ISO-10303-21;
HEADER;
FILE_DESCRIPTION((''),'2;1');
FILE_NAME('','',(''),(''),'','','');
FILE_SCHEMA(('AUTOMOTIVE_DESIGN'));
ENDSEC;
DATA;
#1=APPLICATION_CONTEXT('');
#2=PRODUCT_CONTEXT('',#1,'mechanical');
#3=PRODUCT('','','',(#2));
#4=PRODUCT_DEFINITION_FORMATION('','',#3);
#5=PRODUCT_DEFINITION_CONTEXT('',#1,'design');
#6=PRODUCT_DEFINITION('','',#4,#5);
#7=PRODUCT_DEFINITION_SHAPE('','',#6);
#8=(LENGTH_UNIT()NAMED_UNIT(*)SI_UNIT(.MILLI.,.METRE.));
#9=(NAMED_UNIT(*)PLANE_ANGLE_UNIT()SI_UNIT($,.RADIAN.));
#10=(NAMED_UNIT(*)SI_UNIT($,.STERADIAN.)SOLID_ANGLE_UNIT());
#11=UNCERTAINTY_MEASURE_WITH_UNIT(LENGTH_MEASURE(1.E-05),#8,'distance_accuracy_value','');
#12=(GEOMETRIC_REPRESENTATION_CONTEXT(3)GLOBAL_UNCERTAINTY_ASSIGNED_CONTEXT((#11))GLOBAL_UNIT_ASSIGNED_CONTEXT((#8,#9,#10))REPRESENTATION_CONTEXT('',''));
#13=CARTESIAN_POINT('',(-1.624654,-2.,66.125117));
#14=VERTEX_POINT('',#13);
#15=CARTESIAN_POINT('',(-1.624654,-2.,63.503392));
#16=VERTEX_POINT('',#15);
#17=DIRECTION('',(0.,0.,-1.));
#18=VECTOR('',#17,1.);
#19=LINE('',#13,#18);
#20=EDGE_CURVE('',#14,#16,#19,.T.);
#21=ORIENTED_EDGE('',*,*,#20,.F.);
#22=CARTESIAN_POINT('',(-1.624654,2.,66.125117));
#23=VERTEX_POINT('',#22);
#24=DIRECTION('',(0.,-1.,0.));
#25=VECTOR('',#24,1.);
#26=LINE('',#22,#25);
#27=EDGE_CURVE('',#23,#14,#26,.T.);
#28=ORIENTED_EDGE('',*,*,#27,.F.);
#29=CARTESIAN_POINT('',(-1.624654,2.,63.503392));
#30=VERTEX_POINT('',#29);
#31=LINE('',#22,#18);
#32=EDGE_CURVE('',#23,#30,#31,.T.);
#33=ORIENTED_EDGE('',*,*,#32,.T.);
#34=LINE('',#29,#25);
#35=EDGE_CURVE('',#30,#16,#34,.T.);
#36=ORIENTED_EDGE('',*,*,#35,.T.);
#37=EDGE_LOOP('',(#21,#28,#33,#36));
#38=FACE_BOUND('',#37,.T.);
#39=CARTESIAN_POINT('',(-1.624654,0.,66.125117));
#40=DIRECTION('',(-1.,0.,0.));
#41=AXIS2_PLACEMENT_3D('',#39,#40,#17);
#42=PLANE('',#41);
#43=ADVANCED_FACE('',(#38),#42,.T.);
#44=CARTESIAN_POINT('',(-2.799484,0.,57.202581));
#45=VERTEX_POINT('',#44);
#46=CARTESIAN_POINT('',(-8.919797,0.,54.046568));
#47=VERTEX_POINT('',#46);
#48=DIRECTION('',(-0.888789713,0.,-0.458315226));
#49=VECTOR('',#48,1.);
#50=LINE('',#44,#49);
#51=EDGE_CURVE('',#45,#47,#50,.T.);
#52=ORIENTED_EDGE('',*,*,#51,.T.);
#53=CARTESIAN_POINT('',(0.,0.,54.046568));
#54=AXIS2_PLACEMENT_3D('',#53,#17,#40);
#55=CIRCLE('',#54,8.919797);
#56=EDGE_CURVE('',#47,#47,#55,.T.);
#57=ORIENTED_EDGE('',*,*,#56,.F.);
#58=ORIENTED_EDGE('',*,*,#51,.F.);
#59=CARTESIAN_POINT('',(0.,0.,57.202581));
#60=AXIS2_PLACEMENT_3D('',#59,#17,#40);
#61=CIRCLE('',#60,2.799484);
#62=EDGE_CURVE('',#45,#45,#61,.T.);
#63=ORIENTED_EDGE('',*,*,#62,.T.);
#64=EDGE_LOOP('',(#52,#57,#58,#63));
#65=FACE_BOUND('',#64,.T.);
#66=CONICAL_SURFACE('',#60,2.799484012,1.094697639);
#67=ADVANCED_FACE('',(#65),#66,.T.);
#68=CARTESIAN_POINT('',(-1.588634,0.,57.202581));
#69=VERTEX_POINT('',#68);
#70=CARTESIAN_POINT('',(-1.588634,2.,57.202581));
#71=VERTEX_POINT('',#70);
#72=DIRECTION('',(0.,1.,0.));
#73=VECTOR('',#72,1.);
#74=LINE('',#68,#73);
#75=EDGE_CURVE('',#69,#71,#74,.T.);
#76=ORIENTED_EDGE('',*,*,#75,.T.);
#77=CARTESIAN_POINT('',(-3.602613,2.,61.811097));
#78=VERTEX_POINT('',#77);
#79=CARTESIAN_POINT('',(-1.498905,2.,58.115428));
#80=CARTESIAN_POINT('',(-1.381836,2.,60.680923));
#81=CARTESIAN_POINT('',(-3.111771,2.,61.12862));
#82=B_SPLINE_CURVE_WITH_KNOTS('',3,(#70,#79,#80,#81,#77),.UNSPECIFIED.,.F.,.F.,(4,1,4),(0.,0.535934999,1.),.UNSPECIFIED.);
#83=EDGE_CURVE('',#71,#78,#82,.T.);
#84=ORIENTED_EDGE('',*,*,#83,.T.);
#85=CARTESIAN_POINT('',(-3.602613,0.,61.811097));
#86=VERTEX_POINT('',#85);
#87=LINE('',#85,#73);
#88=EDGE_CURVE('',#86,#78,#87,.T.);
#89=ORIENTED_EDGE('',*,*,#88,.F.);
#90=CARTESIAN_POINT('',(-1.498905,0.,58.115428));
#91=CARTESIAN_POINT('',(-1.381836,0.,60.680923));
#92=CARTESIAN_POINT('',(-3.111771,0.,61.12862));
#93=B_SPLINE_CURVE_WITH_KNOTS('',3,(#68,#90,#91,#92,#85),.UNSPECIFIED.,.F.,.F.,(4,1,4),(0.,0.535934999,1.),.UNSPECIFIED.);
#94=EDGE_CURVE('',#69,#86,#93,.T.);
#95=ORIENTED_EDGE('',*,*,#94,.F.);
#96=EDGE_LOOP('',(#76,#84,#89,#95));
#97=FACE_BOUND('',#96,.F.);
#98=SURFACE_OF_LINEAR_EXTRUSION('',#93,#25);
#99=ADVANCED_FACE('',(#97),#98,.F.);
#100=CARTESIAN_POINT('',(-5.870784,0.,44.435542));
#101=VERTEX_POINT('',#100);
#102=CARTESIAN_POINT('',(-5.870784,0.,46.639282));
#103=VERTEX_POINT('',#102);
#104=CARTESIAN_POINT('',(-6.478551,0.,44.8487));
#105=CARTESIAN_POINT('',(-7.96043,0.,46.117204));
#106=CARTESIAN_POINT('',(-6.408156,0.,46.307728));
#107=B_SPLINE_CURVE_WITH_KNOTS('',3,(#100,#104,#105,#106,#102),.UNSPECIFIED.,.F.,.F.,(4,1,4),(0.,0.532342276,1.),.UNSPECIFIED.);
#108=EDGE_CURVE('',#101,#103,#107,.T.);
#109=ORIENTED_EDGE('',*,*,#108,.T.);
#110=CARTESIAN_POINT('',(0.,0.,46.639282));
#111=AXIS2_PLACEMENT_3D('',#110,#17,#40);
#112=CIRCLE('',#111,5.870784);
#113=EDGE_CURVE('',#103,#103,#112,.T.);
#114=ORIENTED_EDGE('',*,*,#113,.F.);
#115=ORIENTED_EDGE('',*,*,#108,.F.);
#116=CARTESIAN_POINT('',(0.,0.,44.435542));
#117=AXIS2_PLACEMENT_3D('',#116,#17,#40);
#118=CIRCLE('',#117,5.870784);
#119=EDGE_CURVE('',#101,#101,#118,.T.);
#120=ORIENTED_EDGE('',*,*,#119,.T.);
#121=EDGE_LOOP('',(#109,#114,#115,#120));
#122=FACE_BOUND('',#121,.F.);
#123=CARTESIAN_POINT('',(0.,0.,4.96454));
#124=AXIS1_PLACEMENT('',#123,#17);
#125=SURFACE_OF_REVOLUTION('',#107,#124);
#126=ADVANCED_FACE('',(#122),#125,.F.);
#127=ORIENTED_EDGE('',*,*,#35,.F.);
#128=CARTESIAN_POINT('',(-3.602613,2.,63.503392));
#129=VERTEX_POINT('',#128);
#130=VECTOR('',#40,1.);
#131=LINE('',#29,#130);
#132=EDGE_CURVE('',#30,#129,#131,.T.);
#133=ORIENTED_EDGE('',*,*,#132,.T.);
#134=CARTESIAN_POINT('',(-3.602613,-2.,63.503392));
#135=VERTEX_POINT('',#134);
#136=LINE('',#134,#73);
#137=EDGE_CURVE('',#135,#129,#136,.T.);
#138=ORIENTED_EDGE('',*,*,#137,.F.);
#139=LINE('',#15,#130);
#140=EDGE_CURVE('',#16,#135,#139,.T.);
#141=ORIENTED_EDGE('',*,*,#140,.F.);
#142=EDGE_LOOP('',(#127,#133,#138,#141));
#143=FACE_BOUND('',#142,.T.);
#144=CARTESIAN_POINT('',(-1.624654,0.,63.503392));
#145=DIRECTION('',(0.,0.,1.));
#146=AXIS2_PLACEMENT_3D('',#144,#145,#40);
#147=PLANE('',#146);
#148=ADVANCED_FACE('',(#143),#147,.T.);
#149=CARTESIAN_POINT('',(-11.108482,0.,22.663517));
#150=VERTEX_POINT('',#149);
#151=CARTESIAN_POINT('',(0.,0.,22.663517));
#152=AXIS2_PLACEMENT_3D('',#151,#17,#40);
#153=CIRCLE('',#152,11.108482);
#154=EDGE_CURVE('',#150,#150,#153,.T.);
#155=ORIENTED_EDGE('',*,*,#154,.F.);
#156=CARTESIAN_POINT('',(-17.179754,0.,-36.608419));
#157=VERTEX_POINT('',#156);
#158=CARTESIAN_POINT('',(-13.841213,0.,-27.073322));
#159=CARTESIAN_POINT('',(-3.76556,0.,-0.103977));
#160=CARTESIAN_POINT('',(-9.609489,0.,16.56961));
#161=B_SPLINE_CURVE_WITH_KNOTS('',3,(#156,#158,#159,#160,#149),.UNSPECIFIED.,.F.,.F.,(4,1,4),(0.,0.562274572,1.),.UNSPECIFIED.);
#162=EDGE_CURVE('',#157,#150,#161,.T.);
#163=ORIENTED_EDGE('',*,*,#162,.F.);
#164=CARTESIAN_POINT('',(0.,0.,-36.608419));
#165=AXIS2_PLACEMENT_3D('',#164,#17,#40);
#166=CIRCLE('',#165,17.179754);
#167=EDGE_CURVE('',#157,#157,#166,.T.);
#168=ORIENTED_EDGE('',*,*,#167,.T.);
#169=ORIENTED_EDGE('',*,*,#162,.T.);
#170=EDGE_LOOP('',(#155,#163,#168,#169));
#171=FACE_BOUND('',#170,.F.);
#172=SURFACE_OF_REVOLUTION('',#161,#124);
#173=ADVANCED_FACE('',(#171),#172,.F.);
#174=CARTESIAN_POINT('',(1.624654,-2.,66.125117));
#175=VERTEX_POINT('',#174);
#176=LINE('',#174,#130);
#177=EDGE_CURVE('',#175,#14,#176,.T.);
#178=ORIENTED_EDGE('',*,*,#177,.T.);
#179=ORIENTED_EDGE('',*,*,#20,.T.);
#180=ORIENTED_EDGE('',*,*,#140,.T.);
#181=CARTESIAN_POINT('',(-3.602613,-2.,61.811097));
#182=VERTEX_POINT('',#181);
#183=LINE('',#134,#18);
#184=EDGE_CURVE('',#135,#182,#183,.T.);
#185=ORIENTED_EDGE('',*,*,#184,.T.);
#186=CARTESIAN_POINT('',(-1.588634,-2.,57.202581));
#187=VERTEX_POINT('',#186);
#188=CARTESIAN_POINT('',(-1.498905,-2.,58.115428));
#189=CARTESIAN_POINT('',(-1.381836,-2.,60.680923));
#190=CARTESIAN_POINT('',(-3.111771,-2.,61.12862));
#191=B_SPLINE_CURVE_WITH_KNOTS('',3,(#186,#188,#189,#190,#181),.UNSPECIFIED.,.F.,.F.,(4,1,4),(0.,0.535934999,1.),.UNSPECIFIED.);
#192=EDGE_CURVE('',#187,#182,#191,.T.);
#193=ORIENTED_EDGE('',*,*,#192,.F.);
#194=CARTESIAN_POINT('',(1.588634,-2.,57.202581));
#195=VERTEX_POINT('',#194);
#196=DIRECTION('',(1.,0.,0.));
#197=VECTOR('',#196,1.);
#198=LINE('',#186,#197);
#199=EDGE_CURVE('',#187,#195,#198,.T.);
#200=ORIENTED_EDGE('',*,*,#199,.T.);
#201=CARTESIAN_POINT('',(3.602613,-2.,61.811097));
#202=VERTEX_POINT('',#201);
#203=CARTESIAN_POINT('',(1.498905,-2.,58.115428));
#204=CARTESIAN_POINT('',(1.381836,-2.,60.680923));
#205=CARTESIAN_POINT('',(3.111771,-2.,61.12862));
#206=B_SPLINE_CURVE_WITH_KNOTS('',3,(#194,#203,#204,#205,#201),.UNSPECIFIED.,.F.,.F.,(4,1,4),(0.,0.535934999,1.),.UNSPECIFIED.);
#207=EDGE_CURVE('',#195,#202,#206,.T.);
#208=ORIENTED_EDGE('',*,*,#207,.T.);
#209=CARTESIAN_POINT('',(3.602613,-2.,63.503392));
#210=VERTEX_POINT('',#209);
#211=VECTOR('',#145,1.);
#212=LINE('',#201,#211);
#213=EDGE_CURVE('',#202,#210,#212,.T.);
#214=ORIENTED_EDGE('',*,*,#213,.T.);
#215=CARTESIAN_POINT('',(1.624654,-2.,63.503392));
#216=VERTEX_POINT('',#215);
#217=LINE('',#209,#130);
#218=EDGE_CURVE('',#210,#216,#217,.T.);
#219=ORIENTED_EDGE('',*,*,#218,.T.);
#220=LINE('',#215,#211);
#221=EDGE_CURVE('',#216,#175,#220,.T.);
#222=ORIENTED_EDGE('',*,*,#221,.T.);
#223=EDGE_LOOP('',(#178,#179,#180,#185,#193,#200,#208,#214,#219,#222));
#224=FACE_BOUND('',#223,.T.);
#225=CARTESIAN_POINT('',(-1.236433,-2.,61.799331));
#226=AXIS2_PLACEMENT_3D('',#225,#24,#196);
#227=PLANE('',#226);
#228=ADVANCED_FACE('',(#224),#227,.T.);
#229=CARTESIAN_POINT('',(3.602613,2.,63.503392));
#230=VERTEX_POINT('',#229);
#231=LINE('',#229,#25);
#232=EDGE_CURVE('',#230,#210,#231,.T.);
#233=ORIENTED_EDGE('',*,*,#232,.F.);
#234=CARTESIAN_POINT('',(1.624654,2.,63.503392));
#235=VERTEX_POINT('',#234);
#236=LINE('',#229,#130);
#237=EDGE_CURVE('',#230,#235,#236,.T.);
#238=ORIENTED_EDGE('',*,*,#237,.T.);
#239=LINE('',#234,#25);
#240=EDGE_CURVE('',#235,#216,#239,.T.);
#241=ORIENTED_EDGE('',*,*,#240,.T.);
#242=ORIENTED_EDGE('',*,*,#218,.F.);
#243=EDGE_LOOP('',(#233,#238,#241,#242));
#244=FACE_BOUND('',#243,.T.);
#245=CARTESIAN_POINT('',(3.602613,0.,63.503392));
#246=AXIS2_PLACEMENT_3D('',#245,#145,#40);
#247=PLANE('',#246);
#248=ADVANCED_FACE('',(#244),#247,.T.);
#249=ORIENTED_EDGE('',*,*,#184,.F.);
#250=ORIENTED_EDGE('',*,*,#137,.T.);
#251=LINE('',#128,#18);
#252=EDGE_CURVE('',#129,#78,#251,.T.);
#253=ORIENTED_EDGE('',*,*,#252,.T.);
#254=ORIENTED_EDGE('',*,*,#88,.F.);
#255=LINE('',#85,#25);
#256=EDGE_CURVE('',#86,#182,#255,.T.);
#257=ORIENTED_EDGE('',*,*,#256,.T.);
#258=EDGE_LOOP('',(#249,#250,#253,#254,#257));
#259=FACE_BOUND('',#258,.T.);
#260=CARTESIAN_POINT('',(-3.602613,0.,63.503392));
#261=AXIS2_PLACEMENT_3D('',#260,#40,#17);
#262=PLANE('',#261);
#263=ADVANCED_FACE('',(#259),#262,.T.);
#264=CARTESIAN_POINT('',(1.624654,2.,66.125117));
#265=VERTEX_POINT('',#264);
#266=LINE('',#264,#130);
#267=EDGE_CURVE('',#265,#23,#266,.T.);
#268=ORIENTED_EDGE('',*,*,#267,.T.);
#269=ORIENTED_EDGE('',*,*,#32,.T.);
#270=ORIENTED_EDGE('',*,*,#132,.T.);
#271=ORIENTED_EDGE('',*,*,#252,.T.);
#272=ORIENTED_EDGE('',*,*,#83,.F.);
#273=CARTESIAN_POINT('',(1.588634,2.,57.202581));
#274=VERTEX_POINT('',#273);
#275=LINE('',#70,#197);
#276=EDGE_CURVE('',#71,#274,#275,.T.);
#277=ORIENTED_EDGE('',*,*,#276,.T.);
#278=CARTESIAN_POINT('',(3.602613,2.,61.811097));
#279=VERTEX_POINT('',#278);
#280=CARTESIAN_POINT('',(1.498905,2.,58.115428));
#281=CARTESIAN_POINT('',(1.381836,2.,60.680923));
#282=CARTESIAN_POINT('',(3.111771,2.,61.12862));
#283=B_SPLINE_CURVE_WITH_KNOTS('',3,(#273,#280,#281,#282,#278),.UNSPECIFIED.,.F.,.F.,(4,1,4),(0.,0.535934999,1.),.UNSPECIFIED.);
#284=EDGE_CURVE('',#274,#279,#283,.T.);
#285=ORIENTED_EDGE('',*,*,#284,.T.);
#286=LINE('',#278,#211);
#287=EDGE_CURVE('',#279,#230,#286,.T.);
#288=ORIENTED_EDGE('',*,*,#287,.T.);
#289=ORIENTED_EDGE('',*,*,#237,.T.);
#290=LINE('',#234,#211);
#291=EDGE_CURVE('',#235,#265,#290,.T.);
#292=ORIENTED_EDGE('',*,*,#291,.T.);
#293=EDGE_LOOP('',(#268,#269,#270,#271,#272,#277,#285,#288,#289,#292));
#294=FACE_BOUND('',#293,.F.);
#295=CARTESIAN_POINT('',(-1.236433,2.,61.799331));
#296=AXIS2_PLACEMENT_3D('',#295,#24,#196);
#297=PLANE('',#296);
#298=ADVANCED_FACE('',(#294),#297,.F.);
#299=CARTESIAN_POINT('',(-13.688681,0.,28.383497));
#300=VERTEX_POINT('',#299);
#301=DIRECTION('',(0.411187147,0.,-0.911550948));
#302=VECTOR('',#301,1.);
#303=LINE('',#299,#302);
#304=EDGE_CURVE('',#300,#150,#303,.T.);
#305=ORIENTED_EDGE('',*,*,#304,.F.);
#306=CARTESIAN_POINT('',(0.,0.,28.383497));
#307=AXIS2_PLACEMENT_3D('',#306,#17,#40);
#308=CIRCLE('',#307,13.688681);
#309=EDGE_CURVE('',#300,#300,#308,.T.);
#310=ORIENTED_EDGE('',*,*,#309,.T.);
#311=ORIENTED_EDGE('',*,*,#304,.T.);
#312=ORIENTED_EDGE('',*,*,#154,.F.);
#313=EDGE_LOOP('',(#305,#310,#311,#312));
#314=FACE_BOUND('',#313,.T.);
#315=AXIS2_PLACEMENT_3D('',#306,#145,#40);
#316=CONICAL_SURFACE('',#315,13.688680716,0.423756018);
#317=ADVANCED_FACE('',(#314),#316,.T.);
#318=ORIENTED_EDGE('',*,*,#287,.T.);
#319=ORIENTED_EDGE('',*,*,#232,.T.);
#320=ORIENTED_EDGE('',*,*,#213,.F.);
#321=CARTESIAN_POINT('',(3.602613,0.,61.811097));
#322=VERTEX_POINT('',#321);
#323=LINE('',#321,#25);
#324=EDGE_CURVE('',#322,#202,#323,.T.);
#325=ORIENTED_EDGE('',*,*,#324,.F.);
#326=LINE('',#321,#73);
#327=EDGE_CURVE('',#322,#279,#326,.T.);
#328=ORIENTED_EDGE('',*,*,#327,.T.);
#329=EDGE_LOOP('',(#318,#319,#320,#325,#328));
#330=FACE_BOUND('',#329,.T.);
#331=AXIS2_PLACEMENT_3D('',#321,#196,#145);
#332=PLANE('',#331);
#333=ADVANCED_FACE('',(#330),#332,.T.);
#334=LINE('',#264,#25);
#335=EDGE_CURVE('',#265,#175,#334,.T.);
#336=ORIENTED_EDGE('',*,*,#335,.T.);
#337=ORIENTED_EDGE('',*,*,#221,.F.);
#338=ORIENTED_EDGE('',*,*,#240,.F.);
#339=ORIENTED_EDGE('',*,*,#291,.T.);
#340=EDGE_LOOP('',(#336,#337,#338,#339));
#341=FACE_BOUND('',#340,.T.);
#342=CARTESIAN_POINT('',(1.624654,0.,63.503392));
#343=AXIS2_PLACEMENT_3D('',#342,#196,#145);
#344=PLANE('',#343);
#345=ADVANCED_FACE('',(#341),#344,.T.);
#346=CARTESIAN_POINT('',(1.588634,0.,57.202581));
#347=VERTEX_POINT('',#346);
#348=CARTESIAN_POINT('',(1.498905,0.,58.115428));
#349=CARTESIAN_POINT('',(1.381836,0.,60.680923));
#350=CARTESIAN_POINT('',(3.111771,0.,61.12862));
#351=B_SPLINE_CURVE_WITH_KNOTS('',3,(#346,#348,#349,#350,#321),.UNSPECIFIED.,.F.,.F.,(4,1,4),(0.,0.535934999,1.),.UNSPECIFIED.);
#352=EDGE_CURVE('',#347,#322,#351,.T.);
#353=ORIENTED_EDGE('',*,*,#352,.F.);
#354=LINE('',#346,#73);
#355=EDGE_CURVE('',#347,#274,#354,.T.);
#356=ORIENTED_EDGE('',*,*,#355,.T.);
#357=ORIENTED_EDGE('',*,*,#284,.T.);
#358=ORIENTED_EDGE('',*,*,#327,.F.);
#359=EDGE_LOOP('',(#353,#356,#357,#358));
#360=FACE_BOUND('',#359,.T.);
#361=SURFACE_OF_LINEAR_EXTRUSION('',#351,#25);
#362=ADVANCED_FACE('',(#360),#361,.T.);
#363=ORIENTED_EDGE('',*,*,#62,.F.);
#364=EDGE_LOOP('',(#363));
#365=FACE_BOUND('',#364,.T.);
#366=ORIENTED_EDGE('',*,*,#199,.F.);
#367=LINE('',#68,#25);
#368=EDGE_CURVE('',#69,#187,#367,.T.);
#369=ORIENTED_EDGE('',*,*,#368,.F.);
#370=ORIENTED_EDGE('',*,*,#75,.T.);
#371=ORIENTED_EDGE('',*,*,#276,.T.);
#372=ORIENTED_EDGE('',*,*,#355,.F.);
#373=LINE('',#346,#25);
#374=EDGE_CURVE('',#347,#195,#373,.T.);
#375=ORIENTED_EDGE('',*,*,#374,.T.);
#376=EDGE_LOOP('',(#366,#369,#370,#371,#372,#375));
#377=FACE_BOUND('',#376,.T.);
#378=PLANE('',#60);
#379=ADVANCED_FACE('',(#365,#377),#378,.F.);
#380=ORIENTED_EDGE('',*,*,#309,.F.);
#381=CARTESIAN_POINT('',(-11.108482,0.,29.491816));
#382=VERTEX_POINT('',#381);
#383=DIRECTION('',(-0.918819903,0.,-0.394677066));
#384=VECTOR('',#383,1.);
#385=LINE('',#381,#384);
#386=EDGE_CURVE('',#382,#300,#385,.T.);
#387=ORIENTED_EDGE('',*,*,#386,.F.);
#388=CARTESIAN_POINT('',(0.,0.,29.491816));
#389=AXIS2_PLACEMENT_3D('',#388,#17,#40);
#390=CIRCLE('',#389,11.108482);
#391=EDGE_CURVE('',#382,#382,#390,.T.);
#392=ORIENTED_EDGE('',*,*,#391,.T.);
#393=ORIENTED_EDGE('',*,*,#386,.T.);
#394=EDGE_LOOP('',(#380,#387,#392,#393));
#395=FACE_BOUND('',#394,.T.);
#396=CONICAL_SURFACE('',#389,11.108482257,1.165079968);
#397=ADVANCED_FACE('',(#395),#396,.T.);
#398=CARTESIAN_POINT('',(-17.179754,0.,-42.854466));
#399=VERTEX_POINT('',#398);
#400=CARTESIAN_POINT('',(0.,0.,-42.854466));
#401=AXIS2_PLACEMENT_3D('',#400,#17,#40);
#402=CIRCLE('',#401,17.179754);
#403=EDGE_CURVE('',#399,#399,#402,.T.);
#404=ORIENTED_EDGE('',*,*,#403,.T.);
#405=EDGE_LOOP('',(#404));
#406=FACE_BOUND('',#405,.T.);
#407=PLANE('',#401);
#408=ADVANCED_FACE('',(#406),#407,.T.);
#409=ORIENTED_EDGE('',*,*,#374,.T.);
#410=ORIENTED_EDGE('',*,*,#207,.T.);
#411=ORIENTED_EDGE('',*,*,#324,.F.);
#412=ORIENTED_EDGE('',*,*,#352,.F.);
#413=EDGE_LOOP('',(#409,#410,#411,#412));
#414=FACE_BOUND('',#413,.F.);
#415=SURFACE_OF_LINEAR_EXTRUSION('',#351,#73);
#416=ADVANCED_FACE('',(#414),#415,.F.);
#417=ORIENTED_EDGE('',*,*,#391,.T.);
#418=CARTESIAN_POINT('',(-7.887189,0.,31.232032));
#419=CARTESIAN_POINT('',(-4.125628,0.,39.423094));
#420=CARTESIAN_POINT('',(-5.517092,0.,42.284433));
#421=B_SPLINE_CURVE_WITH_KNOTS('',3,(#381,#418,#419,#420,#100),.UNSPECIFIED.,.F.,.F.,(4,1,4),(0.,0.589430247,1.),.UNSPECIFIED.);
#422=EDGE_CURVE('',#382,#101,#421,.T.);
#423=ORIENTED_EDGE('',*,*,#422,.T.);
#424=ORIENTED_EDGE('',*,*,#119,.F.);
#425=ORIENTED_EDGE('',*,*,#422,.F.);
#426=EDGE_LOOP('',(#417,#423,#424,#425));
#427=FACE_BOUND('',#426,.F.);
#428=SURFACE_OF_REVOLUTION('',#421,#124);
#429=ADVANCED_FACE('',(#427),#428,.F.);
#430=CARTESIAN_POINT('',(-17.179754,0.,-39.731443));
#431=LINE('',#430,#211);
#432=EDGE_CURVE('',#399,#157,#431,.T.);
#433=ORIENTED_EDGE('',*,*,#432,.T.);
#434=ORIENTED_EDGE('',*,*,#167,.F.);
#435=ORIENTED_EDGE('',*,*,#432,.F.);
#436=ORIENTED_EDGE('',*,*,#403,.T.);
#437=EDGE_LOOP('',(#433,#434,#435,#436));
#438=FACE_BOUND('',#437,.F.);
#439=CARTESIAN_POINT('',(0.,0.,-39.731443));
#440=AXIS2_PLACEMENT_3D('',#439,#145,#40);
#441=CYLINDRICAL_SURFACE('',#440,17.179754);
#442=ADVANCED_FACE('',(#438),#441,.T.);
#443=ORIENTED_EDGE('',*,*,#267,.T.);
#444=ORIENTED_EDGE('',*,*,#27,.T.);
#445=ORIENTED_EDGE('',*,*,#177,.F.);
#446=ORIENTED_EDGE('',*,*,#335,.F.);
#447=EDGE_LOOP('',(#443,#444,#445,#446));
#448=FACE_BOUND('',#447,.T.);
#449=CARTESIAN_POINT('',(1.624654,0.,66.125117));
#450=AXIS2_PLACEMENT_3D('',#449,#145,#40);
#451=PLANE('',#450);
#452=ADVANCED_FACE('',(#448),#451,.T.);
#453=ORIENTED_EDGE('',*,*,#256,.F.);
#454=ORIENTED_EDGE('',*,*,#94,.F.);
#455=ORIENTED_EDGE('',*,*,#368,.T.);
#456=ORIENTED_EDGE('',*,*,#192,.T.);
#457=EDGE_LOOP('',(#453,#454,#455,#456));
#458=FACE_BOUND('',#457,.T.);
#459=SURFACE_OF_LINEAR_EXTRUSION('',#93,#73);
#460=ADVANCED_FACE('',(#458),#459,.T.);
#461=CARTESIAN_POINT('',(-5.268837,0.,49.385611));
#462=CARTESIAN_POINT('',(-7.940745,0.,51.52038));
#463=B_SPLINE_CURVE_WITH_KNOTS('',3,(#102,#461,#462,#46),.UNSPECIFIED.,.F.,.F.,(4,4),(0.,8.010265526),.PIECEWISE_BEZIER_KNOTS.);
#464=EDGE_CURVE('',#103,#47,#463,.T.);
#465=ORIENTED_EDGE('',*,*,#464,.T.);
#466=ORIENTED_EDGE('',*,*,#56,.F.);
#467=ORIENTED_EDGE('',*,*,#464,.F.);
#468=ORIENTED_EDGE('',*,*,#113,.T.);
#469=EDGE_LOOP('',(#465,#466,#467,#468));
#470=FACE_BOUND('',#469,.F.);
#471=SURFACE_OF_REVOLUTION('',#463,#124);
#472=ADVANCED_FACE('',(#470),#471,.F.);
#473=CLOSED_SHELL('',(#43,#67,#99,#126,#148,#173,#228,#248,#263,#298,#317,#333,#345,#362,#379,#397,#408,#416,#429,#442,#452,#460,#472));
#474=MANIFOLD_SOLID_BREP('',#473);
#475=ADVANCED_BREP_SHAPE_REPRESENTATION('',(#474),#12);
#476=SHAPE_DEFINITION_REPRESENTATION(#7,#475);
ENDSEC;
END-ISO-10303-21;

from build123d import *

# Parameters (mm, degrees)
F0_W     = 17.1797536314
F0_H     = 6.2460470638
F2_DEPTH = 2


with BuildPart() as f1:
    # F0 (on Front) → F1 (revolve)
    with BuildSketch(Plane.XZ):
        with Locations((-8.5898768157, -39.7314429283)):
            Rectangle(F0_W, F0_H)
        with BuildLine():
            add(Edge.make_bspline(
                [(-17.1797536314, -36.6084193964), (-13.8412130362, -27.0733219531), (-3.7655602714, -0.1039771833), (-9.60948889, 16.5696096292), (-11.1084822565, 22.6635169238)],
                knots=[0, 0, 0, 0, 0.5622745719, 1, 1, 1, 1], degree=3))
            Line((-17.1797536314, -36.6084193964), (0, -36.6084193964))
            Line((0, -36.6084193964), (0, 57.2025813162))
            Line((0, 57.2025813162), (-1.5886335168, 57.2025813162))
            Line((-1.5886335168, 57.2025813162), (-2.7994840118, 57.2025813162))
            Line((-2.7994840118, 57.2025813162), (-8.9197969064, 54.0465675294))
            add(Edge.make_bspline(
                [(-5.8707841672, 46.6392822564), (-5.2688373253, 49.3856109679), (-7.9407452916, 51.5203798811), (-8.9197969064, 54.0465675294)],
                knots=[0, 0, 0, 0, 8.0102655262, 8.0102655262, 8.0102655262, 8.0102655262], degree=3))
            add(Edge.make_bspline(
                [(-5.8707841672, 44.4355420768), (-6.4785506158, 44.8487001919), (-7.9604304678, 46.1172039826), (-6.4081557233, 46.3077279426), (-5.8707841672, 46.6392822564)],
                knots=[0, 0, 0, 0, 0.5323422757, 1, 1, 1, 1], degree=3))
            add(Edge.make_bspline(
                [(-11.1084822565, 29.491815716), (-7.8871886606, 31.232032236), (-4.125628446, 39.4230942254), (-5.5170923569, 42.2844330979), (-5.8707841672, 44.4355420768)],
                knots=[0, 0, 0, 0, 0.5894302475, 1, 1, 1, 1], degree=3))
            Line((-11.1084822565, 29.491815716), (-13.6886807159, 28.3834971488))
            Line((-13.6886807159, 28.3834971488), (-11.1084822565, 22.6635169238))
        make_face()
    revolve(axis=Axis((0, 0, 4.9645396212), (0, 0, -1)))

    # F0 (on Front) → F2 (join, symmetric)
    with BuildSketch(Plane.XZ):
        with BuildLine():
            Line((-1.5886335168, 57.2025813162), (0, 57.2025813162))
            Line((0, 57.2025813162), (0, 66.1251172423))
            Line((0, 66.1251172423), (-1.62465428, 66.1251172423))
            Line((-1.62465428, 66.1251172423), (-1.62465428, 63.5033920407))
            Line((-1.62465428, 63.5033920407), (-3.6026129965, 63.5033920407))
            Line((-3.6026129965, 63.5033920407), (-3.6026129965, 61.8110969663))
            add(Edge.make_bspline(
                [(-1.5886335168, 57.2025813162), (-1.498904641, 58.1154281999), (-1.381835571, 60.6809226763), (-3.1117708882, 61.128619796), (-3.6026129965, 61.8110969663)],
                knots=[0, 0, 0, 0, 0.5359349994, 1, 1, 1, 1], degree=3))
        make_face()
        with BuildLine():
            Line((0, 66.1251172423), (0, 57.2025813162))
            Line((0, 57.2025813162), (1.5886335168, 57.2025813162))
            add(Edge.make_bspline(
                [(1.5886335168, 57.2025813162), (1.498904641, 58.1154281999), (1.381835571, 60.6809226763), (3.1117708882, 61.128619796), (3.6026129965, 61.8110969663)],
                knots=[0, 0, 0, 0, 0.5359349994, 1, 1, 1, 1], degree=3))
            Line((3.6026129965, 61.8110969663), (3.6026129965, 63.5033920407))
            Line((3.6026129965, 63.5033920407), (1.62465428, 63.5033920407))
            Line((1.62465428, 63.5033920407), (1.62465428, 66.1251172423))
            Line((1.62465428, 66.1251172423), (0, 66.1251172423))
        make_face()
    extrude(amount=F2_DEPTH, both=True)


solid = f1.part
